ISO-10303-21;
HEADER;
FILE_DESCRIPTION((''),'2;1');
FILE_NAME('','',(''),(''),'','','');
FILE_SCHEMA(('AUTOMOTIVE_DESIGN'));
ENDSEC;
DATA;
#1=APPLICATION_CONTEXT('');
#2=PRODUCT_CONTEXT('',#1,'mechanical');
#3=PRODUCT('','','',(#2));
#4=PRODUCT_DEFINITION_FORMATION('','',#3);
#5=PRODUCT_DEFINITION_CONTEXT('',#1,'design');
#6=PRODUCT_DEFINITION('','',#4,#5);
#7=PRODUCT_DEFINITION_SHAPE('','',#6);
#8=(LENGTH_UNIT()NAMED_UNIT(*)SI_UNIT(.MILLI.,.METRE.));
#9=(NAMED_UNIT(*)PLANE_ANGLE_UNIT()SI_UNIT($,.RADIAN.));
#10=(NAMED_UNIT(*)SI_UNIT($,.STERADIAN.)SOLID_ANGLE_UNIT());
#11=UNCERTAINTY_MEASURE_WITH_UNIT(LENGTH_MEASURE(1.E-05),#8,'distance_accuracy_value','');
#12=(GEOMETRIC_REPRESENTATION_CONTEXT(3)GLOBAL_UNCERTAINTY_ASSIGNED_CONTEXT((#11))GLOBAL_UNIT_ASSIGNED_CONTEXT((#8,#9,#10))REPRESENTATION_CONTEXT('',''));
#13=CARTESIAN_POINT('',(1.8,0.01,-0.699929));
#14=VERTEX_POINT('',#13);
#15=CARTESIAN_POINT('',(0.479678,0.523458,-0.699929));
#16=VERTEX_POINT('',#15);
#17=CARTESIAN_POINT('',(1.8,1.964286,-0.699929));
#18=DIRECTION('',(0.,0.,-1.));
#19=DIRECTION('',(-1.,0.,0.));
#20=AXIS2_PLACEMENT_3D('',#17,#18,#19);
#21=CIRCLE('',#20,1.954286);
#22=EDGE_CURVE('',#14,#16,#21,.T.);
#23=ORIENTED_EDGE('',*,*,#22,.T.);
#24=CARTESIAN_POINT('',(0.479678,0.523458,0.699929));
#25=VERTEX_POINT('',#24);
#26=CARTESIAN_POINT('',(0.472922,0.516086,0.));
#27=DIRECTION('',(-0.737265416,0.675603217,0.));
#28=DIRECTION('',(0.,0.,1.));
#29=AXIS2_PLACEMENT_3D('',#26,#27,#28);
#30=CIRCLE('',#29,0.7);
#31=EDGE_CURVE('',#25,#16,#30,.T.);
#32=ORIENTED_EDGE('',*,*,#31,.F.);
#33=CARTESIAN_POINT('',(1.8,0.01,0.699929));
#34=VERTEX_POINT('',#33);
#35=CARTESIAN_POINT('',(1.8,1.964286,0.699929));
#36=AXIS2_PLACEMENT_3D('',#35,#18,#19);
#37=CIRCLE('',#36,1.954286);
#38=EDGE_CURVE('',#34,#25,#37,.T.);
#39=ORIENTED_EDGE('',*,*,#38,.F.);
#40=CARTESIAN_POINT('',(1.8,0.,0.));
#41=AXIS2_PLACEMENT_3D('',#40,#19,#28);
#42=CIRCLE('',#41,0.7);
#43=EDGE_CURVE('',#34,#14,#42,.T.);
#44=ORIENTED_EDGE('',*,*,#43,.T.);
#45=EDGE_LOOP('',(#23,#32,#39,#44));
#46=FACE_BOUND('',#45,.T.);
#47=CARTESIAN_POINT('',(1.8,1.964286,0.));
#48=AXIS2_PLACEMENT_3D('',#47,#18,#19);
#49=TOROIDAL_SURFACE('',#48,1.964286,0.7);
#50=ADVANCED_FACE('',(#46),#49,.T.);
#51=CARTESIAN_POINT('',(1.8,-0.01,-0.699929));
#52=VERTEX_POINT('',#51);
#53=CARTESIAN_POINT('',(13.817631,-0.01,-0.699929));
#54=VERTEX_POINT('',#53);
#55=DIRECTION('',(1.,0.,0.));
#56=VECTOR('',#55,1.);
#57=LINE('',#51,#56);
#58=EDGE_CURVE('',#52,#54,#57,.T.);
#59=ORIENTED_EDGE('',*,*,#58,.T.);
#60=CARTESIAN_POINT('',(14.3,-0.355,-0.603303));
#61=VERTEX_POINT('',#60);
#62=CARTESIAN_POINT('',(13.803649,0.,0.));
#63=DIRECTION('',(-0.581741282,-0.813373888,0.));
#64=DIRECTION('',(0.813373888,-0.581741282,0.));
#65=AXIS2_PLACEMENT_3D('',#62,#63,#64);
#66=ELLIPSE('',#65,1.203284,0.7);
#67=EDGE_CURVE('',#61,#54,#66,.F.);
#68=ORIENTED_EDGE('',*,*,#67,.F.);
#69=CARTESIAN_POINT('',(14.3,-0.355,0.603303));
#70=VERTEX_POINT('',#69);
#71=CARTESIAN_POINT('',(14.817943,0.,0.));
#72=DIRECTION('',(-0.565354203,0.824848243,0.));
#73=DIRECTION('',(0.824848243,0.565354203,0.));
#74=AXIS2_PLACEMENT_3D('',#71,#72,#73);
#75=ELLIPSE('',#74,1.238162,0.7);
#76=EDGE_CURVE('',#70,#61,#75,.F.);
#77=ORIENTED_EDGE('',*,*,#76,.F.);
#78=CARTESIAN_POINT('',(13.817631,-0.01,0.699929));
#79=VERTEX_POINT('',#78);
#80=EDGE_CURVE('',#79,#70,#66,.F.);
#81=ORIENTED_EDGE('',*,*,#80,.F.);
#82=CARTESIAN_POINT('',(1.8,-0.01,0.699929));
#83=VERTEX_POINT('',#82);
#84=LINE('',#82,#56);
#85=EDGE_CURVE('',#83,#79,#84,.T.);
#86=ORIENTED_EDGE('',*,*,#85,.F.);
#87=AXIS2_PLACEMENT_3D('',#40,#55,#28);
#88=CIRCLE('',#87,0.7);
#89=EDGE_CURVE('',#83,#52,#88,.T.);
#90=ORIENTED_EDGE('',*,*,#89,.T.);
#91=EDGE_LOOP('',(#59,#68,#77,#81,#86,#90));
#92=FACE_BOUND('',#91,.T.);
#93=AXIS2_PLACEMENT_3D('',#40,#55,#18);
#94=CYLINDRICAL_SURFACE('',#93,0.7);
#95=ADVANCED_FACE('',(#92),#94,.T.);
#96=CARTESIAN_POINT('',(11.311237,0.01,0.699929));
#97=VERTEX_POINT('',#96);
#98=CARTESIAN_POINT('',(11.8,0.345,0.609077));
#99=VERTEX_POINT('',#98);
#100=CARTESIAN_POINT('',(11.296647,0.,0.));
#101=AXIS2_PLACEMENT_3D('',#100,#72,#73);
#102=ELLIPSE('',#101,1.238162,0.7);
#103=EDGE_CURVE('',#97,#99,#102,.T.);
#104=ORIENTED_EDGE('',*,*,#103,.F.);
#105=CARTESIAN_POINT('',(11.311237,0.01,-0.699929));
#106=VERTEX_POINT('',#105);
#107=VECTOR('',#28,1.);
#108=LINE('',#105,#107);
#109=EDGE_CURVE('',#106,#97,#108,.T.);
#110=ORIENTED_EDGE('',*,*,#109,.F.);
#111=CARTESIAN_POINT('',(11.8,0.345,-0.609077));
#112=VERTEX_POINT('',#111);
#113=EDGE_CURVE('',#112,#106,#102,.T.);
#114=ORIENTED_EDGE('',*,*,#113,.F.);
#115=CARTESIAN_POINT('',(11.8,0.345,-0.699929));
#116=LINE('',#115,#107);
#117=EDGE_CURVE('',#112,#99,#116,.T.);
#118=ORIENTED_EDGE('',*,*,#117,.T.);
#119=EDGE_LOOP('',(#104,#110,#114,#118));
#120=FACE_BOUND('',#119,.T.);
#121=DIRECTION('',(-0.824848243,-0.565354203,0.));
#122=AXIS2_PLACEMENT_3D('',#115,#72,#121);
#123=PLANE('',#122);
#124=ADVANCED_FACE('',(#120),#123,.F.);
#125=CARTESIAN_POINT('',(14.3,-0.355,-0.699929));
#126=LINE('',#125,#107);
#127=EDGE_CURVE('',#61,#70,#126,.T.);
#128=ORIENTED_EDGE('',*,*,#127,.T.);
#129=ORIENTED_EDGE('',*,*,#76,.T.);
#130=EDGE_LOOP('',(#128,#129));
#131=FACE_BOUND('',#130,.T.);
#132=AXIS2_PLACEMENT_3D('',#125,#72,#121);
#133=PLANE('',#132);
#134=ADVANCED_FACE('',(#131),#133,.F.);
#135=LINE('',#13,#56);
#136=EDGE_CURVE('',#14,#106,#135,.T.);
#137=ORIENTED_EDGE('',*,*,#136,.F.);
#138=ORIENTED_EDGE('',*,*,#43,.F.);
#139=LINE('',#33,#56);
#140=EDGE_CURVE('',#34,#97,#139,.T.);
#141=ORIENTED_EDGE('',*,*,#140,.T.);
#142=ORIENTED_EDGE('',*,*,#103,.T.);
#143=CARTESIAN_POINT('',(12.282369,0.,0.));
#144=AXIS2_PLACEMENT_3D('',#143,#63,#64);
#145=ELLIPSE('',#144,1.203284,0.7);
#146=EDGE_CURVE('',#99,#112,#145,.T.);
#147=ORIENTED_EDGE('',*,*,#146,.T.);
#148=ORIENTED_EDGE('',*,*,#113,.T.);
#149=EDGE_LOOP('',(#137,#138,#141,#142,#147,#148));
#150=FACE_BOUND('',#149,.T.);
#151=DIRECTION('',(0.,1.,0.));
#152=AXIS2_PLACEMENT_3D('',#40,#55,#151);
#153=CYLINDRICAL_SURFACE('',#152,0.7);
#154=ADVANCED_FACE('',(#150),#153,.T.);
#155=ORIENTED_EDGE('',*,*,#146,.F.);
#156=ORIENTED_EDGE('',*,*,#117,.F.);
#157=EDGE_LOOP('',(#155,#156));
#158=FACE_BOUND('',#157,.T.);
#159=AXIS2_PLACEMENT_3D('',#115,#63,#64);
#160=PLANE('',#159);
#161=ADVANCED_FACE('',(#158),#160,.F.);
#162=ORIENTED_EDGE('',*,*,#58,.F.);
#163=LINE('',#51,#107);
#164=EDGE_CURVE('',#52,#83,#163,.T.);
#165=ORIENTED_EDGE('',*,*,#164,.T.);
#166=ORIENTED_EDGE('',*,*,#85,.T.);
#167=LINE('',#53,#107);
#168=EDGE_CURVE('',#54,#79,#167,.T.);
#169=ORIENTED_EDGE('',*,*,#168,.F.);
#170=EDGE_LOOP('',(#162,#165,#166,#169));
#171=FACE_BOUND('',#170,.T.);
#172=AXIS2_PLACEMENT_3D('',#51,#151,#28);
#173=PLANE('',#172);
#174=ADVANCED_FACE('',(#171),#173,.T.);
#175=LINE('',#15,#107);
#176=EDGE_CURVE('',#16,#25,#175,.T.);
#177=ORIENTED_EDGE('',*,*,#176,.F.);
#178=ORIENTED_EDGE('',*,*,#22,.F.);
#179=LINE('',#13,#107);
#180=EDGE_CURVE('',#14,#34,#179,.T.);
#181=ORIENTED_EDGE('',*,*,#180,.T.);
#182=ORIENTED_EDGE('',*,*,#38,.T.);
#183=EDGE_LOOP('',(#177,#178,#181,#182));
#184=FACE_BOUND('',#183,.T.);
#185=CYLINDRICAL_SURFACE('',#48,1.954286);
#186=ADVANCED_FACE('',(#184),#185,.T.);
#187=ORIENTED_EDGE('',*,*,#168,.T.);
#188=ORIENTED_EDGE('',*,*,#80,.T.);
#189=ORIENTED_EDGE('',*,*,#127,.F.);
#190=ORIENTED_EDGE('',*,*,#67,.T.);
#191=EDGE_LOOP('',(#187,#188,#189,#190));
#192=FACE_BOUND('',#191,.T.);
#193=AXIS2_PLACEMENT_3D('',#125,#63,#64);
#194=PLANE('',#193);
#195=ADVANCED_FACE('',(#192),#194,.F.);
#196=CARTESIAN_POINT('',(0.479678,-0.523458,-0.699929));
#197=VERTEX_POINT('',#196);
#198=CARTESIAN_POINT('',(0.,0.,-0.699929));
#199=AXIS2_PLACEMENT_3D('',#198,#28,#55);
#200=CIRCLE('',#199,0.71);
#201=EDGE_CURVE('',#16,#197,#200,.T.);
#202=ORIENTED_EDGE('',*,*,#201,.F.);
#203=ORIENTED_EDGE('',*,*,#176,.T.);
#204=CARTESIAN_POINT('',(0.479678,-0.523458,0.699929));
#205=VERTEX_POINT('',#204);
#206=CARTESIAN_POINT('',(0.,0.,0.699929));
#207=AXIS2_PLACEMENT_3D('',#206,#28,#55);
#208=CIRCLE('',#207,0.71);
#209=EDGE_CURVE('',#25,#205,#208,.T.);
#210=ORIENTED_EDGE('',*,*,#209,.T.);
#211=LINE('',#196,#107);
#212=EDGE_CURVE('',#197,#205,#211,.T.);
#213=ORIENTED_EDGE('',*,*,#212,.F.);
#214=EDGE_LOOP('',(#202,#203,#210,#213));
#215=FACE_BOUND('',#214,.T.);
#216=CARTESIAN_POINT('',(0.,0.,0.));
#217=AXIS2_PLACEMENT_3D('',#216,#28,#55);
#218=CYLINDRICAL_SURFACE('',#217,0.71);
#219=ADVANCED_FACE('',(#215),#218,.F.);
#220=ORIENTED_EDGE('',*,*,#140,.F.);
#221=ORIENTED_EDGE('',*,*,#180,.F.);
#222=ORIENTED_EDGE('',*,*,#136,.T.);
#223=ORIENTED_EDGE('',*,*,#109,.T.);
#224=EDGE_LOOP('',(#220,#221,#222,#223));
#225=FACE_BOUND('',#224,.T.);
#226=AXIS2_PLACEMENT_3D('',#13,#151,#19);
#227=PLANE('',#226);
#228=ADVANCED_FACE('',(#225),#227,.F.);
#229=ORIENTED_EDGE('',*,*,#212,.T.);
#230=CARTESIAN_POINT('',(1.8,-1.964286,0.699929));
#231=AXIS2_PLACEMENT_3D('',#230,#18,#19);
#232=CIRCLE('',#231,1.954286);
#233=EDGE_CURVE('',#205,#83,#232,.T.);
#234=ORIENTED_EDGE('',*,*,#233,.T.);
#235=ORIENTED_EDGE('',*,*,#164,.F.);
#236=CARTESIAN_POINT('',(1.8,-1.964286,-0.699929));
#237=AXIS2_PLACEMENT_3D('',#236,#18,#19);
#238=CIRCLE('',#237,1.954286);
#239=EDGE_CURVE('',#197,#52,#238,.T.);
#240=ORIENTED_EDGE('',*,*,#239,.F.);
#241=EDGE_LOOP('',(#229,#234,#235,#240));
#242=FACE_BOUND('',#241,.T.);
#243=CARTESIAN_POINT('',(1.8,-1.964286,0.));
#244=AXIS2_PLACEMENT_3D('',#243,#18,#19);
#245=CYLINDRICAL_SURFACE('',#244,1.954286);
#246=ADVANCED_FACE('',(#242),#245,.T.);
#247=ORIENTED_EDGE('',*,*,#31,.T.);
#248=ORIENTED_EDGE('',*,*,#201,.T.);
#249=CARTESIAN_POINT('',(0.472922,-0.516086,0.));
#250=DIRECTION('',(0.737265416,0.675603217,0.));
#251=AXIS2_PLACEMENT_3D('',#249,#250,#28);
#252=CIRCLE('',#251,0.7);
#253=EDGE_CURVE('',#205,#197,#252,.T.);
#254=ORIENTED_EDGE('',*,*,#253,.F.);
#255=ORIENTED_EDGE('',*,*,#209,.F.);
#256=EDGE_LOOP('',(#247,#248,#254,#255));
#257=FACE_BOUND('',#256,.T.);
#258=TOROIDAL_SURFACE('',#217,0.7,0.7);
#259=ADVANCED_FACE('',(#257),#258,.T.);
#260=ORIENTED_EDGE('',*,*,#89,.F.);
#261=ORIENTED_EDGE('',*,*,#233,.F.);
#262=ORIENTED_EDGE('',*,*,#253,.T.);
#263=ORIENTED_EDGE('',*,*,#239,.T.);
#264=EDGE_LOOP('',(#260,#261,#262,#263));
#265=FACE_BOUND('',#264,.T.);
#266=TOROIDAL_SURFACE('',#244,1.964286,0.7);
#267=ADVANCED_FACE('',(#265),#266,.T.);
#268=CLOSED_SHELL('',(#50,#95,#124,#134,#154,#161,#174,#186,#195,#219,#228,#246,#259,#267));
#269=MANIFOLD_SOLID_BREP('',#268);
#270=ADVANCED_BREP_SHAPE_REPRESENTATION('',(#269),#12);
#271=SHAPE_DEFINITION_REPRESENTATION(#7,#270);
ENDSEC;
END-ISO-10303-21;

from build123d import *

# Parameters (mm, degrees)
CUT_EXTRUDE_1_DEPTH      = 15.385405814
CUT_EXTRUDE_1_DEPTH_BACK = 15.385405814


with BuildPart() as part:
    # 扫描2: sweep along a path in Sketch 200
    with BuildLine(Plane.XY) as sweep_2_path:
        Line((11.8, 0.7), (1.8, 0.7))
        ThreePointArc((1.8, 0.7), (1.34176437, 0.785965522), (0.945844504, 1.032171582))
        ThreePointArc((0.945844504, 1.032171582), (-1.4, 0), (0.945844504, -1.032171582))
        ThreePointArc((0.945844504, -1.032171582), (1.34176437, -0.785965522), (1.8, -0.7))
        Line((1.8, -0.7), (14.3, -0.7))
    # 草图2 → 扫描2 (sweep)
    with BuildSketch(Plane(origin=(11.8, 0.7, 0), x_dir=(0, 0, 1), z_dir=(-1, 0, 0))):
        with BuildLine():
            Line((-0.699928568, -0.69), (0.699928568, -0.69))
            ThreePointArc((0.699928568, -0.69), (0, 0), (-0.699928568, -0.69))
        make_face()
    sweep(path=sweep_2_path.line)

    # 草图3 → 切除-拉伸1 (cut, two sides: drawn at the far end of the back side and taken through both)
    with BuildSketch(Plane.XY.offset(-CUT_EXTRUDE_1_DEPTH_BACK)):
        Polygon((11.8, 0.345), (11.303649235, 0.7), (14.31, 0.7), (14.31, -0.7), (13.79664716, -0.7), (14.3, -0.355), (13.803649235, 0), (11.29664716, 0), align=None)
    extrude(amount=CUT_EXTRUDE_1_DEPTH + CUT_EXTRUDE_1_DEPTH_BACK, mode=Mode.SUBTRACT)


solid = part.part
